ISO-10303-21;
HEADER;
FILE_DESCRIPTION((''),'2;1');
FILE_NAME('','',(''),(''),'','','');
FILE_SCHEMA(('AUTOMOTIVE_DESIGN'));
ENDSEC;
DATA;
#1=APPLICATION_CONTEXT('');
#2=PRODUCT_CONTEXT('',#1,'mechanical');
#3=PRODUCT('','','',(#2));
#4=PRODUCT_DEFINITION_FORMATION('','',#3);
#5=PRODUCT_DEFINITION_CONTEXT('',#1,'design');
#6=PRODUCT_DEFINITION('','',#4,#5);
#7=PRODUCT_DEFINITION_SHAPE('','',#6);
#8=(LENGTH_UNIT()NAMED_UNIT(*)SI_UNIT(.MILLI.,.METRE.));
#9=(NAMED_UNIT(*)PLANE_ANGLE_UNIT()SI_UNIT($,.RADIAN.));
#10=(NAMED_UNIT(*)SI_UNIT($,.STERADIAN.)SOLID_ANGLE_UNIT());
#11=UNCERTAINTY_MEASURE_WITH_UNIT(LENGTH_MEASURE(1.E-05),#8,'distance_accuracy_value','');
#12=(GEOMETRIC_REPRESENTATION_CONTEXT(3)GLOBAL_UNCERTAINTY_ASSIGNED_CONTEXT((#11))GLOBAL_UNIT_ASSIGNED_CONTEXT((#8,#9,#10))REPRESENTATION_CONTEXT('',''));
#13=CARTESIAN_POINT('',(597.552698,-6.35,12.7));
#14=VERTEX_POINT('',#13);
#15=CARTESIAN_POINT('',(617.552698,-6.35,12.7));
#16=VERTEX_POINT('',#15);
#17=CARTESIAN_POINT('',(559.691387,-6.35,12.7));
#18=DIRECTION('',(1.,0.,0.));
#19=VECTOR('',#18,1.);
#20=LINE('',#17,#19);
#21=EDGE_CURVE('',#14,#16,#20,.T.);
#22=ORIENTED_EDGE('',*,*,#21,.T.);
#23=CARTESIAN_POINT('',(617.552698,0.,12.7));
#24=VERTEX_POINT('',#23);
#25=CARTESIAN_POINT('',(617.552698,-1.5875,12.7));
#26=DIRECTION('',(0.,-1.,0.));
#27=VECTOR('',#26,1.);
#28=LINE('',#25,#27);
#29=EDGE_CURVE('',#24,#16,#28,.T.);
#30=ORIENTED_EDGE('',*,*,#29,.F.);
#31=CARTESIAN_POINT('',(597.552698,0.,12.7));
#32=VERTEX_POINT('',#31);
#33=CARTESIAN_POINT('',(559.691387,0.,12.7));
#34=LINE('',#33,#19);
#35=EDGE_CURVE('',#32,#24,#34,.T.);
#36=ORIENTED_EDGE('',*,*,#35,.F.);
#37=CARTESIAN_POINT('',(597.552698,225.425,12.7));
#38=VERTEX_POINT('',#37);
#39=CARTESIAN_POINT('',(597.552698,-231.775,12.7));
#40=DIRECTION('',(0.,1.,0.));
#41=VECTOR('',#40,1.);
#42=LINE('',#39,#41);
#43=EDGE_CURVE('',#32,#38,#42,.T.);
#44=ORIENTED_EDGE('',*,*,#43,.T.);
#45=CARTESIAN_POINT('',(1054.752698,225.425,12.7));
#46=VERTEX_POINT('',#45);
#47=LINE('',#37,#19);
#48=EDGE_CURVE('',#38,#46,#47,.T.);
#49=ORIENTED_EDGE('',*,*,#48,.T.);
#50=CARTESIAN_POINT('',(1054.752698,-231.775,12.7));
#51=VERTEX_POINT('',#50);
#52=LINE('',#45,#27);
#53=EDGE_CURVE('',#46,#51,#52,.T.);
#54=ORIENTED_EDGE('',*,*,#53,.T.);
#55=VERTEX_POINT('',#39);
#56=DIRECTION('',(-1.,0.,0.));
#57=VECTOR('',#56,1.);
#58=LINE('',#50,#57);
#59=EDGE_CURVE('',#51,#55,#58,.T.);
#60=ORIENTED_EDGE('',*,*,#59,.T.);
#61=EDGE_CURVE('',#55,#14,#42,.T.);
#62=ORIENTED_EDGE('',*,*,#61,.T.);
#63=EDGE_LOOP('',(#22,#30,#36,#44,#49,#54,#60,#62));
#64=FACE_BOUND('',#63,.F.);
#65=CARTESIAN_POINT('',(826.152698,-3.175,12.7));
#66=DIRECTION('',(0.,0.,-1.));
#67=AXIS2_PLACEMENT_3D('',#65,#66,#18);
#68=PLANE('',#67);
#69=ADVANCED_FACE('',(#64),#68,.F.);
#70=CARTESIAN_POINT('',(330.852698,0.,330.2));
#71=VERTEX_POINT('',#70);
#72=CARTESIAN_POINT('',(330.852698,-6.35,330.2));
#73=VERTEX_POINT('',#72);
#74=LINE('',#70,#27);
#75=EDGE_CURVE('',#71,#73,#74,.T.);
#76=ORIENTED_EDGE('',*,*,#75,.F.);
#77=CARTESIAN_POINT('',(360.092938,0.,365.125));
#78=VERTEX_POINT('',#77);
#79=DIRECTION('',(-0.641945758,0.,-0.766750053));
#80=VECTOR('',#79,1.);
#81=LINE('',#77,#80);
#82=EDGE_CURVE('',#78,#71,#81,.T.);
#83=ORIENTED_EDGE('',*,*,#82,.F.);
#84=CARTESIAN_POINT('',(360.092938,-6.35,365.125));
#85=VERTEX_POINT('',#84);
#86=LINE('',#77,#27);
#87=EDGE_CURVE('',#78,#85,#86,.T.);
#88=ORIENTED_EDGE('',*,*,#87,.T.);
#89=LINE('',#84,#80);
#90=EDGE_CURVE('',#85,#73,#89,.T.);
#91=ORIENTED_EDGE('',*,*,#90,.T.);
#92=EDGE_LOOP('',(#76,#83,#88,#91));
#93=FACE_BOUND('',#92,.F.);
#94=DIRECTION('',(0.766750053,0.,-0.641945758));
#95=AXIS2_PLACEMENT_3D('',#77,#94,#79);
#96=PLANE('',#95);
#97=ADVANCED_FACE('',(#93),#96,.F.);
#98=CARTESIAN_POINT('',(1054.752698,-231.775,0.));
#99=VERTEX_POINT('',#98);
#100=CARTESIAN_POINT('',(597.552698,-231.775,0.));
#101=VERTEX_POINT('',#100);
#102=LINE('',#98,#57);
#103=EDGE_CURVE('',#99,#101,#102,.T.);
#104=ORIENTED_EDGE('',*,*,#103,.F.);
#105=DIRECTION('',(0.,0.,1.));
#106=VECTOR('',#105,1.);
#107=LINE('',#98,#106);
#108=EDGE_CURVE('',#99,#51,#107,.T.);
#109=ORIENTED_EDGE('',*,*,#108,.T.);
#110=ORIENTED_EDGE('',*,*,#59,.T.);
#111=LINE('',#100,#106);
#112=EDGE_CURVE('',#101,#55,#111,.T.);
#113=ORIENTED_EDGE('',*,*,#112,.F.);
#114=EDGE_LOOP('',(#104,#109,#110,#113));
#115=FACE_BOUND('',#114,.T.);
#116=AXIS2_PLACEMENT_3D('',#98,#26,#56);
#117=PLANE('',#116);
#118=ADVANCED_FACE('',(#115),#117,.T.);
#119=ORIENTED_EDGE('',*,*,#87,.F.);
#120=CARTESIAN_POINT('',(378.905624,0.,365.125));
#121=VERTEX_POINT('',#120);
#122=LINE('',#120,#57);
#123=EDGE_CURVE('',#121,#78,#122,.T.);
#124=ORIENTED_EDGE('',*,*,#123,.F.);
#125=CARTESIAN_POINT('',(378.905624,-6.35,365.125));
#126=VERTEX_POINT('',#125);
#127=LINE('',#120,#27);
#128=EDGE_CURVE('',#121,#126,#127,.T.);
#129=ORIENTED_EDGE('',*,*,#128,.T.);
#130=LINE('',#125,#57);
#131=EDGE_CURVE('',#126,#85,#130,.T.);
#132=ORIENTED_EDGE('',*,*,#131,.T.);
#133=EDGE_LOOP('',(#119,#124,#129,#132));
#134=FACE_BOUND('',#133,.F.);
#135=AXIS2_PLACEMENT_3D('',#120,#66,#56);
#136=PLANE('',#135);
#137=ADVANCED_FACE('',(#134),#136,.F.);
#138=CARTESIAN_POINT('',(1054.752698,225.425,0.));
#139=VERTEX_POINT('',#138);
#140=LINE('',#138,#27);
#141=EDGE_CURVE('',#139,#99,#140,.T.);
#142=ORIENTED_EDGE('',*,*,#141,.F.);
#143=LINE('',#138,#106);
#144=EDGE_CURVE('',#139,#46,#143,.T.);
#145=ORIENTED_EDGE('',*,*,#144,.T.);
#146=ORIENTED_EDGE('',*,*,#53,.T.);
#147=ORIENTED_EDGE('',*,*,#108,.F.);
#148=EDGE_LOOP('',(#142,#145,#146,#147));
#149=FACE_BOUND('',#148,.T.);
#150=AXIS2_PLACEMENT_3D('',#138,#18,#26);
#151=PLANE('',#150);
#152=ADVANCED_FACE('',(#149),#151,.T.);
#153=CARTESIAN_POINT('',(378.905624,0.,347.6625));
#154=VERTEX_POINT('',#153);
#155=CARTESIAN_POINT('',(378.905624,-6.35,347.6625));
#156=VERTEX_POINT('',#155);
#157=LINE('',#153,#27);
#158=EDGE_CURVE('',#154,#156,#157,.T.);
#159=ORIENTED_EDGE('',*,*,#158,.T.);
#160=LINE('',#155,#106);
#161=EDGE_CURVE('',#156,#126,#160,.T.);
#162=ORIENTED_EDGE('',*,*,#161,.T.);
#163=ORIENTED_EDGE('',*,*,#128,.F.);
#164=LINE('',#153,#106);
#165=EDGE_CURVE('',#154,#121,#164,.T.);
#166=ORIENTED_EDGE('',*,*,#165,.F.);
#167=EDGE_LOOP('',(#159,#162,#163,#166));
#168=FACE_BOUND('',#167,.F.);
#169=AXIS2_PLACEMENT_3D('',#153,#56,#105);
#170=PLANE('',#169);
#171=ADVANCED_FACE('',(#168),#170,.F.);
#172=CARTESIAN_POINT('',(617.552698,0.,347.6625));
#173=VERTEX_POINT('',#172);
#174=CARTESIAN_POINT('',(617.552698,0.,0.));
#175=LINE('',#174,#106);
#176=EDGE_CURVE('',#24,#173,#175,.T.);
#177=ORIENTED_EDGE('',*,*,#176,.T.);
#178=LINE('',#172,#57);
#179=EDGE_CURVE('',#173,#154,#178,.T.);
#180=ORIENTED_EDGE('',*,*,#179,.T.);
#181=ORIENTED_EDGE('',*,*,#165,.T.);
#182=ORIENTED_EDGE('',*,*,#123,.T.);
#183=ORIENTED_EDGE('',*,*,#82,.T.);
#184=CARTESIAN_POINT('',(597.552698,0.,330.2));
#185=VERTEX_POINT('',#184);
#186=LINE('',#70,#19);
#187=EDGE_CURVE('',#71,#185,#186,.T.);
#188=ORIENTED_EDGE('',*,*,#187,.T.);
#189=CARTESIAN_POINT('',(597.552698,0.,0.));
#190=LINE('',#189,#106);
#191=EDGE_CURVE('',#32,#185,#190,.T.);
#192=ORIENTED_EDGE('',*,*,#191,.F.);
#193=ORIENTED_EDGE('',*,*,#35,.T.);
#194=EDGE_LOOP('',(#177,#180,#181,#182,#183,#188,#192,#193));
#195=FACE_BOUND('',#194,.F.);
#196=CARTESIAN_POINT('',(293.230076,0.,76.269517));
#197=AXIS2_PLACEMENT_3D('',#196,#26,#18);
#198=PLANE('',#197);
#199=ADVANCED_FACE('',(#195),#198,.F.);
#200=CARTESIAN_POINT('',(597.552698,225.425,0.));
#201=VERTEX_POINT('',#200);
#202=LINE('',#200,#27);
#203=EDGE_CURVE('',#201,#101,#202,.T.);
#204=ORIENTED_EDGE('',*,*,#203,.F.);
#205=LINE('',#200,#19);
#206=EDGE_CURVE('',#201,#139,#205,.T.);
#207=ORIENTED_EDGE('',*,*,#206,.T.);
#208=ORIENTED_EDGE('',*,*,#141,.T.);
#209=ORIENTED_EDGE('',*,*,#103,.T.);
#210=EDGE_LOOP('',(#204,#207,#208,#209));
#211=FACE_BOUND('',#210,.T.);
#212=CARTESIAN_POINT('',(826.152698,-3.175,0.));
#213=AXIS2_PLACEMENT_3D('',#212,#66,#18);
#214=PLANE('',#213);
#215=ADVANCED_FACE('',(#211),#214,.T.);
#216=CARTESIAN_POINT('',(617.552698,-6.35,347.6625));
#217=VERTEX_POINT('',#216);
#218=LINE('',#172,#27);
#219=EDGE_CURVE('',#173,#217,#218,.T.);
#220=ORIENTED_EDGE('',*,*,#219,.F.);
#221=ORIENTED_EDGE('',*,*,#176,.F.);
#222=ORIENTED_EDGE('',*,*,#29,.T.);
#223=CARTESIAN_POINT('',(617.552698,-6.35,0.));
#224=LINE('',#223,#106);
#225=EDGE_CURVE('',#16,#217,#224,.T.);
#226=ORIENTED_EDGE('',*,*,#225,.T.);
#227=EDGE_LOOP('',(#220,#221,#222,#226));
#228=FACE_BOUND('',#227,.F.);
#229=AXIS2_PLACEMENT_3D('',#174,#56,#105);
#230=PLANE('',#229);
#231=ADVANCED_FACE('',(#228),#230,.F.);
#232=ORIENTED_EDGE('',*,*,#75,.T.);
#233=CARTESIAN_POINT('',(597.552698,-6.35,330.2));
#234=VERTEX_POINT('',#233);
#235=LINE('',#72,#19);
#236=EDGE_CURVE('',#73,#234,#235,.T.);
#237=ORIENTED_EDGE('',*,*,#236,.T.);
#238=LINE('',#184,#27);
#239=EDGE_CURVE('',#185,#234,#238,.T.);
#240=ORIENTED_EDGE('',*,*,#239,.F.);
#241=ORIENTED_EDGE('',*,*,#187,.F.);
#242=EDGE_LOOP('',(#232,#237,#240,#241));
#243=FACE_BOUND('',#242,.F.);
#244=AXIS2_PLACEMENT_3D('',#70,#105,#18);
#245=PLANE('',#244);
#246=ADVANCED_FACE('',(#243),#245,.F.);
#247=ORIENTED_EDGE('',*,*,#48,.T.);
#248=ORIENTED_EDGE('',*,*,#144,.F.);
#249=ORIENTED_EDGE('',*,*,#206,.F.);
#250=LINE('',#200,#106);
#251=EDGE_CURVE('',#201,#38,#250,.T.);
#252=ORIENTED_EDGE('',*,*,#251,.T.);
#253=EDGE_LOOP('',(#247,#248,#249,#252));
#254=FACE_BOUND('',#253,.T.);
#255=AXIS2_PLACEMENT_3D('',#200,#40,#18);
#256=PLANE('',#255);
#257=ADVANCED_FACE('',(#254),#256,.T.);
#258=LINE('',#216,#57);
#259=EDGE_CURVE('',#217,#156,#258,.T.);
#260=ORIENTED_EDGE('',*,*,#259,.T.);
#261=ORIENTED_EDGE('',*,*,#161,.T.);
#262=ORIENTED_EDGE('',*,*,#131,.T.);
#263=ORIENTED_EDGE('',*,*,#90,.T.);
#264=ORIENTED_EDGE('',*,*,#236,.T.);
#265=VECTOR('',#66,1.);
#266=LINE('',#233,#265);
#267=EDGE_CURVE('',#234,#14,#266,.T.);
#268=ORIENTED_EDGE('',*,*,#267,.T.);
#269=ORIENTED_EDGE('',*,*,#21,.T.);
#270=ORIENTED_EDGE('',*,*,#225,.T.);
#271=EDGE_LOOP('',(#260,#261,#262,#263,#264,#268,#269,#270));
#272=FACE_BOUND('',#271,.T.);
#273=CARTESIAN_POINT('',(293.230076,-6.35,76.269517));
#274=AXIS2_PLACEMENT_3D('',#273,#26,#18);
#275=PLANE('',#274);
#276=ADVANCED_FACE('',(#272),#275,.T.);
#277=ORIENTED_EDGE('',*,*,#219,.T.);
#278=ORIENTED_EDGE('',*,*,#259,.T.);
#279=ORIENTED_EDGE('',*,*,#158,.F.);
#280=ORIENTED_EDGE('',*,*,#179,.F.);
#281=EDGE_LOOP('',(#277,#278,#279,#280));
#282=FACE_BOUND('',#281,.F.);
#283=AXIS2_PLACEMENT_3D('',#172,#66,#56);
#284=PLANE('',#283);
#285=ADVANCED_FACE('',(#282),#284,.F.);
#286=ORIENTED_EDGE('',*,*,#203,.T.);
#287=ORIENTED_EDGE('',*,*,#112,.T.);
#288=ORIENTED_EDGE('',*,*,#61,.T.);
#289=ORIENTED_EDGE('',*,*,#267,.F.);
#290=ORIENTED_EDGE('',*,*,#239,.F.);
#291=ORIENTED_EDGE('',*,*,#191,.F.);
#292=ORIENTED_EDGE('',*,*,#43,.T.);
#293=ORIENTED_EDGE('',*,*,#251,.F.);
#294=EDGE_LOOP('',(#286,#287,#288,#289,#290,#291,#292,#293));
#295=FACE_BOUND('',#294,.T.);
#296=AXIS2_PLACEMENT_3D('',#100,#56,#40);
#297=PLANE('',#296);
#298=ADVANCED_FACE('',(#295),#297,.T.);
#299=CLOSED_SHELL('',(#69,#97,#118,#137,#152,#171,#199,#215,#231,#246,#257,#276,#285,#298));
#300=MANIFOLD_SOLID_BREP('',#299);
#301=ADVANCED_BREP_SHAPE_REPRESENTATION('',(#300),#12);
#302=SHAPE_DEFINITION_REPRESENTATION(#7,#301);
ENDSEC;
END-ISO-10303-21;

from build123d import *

# Parameters (mm, degrees)
F1_DEPTH = 6.35
F2_DEPTH = 25
F4_DEPTH = 12.7


with BuildPart() as f1:
    # F0 (on Front) → F1 (new body)
    with BuildSketch(Plane.XZ):
        with BuildLine():
            Line((-31.097302, 79.375), (-31.097302, 0))
            Line((-31.097302, 0), (597.552698, 0))
            Line((597.552698, 0), (597.552698, 158.75))
            Line((597.552698, 158.75), (76.952726, 158.75))
            ThreePointArc((76.952726, 158.75), (10.848593, 135.505324), (-31.097302, 79.375))
        make_face()
        Polygon((597.552698, 158.75), (597.552698, 0), (617.552698, 0), (617.552698, 330.2), (617.552698, 347.6625), (597.552698, 347.6625), (597.552698, 330.2), align=None)
        Polygon((330.852698, 330.2), (597.552698, 330.2), (597.552698, 347.6625), (378.905624, 347.6625), (378.905624, 365.125), (360.092938, 365.125), align=None)
    extrude(amount=F1_DEPTH)

    # F0 (on Front) → F2 (cut)
    with BuildSketch(Plane.XZ):
        with BuildLine():
            Line((-31.097302, 79.375), (-31.097302, 0))
            Line((-31.097302, 0), (597.552698, 0))
            Line((597.552698, 0), (597.552698, 158.75))
            Line((597.552698, 158.75), (76.952726, 158.75))
            ThreePointArc((76.952726, 158.75), (10.848593, 135.505324), (-31.097302, 79.375))
        make_face()
    extrude(amount=F2_DEPTH, mode=Mode.SUBTRACT)

    # F3 (on face) → F4 (join)
    with BuildSketch(Plane(origin=(0, 0, 0), x_dir=(1, 0, 0), z_dir=(0, 0, -1))):
        Polygon((597.552698, 16.692741), (597.552698, 3.175), (597.552698, -225.425), (1054.752698, -225.425), (1054.752698, 231.775), (597.552698, 231.775), align=None)
    extrude(amount=-F4_DEPTH)


solid = f1.part
